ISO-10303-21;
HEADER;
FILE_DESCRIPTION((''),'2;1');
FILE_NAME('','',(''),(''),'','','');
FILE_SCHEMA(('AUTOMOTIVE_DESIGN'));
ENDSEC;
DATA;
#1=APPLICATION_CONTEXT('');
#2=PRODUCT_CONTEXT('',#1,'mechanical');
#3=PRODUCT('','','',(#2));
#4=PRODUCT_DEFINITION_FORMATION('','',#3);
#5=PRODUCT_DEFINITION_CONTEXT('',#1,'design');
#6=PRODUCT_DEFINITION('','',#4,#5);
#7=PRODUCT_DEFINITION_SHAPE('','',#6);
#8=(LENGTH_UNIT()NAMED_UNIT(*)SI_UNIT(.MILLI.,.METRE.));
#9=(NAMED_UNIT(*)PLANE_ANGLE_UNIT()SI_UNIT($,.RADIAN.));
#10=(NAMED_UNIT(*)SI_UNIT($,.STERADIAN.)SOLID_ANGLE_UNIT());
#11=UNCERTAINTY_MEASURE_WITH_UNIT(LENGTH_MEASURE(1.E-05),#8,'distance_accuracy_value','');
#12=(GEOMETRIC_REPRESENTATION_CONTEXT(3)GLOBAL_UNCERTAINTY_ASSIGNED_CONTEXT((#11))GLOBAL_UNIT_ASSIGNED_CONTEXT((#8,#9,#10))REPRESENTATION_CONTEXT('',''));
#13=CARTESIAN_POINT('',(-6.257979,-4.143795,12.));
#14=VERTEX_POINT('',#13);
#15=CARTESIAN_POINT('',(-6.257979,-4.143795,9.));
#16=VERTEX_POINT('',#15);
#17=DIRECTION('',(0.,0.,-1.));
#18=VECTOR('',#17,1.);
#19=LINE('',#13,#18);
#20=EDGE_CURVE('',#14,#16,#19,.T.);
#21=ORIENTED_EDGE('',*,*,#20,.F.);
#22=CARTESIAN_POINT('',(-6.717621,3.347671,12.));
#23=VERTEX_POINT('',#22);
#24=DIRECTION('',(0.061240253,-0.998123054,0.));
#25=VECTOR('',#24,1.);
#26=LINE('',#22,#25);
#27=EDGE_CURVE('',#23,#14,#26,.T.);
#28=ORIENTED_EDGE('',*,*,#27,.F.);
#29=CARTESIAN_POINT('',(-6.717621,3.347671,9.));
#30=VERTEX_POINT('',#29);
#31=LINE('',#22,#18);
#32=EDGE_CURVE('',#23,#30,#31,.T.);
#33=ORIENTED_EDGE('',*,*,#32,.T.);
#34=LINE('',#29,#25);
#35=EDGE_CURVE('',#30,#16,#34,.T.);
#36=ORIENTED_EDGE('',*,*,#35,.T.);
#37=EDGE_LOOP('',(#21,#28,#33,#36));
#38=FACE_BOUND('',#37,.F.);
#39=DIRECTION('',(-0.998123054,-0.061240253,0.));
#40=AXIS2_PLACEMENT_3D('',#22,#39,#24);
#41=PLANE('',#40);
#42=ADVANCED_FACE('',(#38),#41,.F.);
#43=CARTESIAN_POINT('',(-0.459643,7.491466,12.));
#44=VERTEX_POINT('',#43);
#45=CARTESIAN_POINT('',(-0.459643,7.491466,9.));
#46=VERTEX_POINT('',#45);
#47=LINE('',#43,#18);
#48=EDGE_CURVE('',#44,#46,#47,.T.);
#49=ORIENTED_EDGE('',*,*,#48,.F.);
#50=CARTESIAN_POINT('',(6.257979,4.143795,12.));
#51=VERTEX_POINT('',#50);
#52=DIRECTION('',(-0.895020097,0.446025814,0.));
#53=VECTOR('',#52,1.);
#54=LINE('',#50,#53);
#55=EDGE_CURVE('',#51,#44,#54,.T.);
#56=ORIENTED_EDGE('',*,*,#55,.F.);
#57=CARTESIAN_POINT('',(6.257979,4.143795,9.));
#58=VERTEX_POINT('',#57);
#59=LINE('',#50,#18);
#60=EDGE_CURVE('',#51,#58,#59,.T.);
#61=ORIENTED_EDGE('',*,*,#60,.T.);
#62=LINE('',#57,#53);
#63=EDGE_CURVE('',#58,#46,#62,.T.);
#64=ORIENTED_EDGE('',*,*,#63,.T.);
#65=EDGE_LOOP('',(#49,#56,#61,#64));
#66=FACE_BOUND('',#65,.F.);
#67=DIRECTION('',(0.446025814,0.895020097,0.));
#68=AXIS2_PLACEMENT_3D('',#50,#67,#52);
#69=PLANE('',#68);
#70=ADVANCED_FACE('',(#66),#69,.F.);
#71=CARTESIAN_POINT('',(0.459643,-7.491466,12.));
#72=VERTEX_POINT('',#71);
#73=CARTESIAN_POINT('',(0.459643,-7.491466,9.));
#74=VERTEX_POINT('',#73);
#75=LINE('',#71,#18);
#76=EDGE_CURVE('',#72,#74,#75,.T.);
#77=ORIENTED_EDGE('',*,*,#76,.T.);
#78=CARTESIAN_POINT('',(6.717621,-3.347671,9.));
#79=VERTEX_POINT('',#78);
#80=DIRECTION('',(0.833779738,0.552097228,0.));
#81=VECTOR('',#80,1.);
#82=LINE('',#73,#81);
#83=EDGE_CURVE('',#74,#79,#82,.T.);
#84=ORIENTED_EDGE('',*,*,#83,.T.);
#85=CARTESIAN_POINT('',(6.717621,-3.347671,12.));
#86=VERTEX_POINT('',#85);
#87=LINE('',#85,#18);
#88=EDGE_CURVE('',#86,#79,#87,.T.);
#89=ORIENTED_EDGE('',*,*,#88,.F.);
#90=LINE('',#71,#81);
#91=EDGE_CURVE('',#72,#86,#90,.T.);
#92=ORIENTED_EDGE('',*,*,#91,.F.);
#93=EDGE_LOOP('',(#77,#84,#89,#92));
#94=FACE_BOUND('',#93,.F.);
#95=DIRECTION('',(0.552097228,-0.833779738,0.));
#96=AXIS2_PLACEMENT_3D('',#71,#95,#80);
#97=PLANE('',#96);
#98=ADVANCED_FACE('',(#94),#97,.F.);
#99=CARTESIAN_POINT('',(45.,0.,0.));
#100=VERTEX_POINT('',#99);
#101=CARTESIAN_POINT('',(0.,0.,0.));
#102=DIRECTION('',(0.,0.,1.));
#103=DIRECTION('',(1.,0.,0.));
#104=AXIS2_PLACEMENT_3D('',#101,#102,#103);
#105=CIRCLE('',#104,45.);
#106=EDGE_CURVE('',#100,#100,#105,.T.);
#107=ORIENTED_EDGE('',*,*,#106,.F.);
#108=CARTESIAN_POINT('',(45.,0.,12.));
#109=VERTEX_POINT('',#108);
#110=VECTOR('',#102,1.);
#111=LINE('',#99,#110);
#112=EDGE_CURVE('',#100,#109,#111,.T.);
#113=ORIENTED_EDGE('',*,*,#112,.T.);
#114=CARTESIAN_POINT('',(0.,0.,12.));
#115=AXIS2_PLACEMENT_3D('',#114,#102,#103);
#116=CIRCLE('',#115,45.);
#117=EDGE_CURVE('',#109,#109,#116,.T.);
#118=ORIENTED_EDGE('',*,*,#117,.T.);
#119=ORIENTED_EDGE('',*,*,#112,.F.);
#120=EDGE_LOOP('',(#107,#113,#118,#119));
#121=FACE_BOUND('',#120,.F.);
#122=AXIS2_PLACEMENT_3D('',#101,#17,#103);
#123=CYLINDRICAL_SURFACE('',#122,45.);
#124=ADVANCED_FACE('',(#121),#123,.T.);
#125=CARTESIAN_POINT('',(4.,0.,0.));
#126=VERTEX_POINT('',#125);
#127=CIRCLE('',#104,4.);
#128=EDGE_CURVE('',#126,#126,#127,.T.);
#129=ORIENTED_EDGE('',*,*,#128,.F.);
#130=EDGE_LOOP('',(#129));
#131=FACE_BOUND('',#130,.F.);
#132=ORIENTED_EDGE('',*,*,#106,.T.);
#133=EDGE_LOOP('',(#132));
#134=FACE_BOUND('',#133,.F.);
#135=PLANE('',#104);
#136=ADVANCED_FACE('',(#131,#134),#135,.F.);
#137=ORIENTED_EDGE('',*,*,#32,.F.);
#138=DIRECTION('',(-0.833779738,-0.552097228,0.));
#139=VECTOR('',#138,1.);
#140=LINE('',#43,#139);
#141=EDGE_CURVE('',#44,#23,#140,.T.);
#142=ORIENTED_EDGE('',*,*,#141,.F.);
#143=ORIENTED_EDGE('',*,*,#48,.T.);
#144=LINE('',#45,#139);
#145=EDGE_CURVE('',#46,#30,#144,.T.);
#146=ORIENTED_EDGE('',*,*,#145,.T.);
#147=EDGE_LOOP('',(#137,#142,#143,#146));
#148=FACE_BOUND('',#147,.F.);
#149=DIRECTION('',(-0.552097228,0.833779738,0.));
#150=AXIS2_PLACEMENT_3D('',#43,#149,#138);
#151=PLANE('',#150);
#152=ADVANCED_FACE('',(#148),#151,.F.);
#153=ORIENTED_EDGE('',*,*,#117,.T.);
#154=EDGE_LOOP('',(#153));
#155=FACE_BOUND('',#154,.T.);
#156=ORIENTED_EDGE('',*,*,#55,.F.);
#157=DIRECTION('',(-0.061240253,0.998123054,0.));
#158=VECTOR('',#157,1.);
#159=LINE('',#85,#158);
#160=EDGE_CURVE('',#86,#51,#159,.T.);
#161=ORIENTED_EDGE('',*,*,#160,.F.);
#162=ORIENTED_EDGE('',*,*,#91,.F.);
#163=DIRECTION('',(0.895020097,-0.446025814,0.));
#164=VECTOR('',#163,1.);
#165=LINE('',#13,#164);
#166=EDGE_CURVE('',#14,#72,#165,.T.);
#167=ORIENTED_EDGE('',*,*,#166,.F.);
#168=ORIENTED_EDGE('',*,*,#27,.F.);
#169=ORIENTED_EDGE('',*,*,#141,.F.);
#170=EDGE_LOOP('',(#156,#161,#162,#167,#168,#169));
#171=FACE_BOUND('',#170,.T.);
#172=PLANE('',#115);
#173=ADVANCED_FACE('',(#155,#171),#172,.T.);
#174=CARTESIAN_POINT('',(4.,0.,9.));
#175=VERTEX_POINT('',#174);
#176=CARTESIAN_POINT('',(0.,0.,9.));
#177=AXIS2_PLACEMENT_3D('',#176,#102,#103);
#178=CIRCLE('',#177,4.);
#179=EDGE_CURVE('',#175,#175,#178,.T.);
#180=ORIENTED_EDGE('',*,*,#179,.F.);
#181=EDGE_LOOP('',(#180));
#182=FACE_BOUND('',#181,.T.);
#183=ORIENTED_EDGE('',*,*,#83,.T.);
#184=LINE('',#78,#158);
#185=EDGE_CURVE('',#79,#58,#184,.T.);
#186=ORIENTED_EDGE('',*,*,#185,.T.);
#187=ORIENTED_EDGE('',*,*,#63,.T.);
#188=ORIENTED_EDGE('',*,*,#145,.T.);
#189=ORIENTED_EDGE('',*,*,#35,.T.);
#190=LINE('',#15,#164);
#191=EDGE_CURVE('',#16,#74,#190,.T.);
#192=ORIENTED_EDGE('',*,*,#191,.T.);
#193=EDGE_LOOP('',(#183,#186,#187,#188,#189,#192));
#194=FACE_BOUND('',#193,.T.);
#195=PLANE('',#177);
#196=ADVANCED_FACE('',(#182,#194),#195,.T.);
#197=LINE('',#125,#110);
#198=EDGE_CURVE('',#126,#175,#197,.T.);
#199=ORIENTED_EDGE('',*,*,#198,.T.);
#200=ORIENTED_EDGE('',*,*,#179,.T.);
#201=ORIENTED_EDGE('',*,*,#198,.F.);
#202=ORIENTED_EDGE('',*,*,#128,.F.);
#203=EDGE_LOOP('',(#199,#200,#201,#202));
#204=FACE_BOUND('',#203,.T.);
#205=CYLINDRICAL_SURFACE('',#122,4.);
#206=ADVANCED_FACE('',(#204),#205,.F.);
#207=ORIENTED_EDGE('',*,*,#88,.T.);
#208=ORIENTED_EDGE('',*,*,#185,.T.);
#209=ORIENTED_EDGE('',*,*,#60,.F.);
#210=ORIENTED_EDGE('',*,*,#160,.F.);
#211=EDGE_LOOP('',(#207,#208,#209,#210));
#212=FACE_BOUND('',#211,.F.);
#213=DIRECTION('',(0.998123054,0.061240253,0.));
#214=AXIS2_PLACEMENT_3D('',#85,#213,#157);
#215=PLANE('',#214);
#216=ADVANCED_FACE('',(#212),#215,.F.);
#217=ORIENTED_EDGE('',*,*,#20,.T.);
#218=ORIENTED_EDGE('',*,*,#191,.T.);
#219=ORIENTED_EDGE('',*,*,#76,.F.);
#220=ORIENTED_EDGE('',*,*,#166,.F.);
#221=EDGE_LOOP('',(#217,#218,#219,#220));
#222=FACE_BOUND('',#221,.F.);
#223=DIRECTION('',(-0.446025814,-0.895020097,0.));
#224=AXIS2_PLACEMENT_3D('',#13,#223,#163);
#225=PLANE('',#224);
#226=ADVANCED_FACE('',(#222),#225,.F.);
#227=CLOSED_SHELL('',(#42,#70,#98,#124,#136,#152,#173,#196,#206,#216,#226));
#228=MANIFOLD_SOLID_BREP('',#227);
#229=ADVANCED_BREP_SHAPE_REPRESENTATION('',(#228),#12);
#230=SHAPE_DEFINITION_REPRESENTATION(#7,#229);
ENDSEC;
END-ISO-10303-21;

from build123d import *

# Parameters (mm, degrees)
F0_R     = 45
F0_R_2   = 4
F1_DEPTH = 12
F2_R     = 4
F3_DEPTH = 3


with BuildPart() as f1:
    # F0 (on Top) → F1 (new body)
    with BuildSketch(Plane.XY):
        Circle(F0_R)
        Circle(F0_R_2, mode=Mode.SUBTRACT)
    extrude(amount=F1_DEPTH)

    # F2 (on face) → F3 (cut)
    with BuildSketch(Plane.XY.offset(12)):
        Polygon((0.459643, -7.491466), (6.717621, -3.347671), (6.257979, 4.143795), (-0.459643, 7.491466), (-6.717621, 3.347671), (-6.257979, -4.143795), align=None)
        Circle(F2_R, mode=Mode.SUBTRACT)
    extrude(amount=-F3_DEPTH, mode=Mode.SUBTRACT)


solid = f1.part
